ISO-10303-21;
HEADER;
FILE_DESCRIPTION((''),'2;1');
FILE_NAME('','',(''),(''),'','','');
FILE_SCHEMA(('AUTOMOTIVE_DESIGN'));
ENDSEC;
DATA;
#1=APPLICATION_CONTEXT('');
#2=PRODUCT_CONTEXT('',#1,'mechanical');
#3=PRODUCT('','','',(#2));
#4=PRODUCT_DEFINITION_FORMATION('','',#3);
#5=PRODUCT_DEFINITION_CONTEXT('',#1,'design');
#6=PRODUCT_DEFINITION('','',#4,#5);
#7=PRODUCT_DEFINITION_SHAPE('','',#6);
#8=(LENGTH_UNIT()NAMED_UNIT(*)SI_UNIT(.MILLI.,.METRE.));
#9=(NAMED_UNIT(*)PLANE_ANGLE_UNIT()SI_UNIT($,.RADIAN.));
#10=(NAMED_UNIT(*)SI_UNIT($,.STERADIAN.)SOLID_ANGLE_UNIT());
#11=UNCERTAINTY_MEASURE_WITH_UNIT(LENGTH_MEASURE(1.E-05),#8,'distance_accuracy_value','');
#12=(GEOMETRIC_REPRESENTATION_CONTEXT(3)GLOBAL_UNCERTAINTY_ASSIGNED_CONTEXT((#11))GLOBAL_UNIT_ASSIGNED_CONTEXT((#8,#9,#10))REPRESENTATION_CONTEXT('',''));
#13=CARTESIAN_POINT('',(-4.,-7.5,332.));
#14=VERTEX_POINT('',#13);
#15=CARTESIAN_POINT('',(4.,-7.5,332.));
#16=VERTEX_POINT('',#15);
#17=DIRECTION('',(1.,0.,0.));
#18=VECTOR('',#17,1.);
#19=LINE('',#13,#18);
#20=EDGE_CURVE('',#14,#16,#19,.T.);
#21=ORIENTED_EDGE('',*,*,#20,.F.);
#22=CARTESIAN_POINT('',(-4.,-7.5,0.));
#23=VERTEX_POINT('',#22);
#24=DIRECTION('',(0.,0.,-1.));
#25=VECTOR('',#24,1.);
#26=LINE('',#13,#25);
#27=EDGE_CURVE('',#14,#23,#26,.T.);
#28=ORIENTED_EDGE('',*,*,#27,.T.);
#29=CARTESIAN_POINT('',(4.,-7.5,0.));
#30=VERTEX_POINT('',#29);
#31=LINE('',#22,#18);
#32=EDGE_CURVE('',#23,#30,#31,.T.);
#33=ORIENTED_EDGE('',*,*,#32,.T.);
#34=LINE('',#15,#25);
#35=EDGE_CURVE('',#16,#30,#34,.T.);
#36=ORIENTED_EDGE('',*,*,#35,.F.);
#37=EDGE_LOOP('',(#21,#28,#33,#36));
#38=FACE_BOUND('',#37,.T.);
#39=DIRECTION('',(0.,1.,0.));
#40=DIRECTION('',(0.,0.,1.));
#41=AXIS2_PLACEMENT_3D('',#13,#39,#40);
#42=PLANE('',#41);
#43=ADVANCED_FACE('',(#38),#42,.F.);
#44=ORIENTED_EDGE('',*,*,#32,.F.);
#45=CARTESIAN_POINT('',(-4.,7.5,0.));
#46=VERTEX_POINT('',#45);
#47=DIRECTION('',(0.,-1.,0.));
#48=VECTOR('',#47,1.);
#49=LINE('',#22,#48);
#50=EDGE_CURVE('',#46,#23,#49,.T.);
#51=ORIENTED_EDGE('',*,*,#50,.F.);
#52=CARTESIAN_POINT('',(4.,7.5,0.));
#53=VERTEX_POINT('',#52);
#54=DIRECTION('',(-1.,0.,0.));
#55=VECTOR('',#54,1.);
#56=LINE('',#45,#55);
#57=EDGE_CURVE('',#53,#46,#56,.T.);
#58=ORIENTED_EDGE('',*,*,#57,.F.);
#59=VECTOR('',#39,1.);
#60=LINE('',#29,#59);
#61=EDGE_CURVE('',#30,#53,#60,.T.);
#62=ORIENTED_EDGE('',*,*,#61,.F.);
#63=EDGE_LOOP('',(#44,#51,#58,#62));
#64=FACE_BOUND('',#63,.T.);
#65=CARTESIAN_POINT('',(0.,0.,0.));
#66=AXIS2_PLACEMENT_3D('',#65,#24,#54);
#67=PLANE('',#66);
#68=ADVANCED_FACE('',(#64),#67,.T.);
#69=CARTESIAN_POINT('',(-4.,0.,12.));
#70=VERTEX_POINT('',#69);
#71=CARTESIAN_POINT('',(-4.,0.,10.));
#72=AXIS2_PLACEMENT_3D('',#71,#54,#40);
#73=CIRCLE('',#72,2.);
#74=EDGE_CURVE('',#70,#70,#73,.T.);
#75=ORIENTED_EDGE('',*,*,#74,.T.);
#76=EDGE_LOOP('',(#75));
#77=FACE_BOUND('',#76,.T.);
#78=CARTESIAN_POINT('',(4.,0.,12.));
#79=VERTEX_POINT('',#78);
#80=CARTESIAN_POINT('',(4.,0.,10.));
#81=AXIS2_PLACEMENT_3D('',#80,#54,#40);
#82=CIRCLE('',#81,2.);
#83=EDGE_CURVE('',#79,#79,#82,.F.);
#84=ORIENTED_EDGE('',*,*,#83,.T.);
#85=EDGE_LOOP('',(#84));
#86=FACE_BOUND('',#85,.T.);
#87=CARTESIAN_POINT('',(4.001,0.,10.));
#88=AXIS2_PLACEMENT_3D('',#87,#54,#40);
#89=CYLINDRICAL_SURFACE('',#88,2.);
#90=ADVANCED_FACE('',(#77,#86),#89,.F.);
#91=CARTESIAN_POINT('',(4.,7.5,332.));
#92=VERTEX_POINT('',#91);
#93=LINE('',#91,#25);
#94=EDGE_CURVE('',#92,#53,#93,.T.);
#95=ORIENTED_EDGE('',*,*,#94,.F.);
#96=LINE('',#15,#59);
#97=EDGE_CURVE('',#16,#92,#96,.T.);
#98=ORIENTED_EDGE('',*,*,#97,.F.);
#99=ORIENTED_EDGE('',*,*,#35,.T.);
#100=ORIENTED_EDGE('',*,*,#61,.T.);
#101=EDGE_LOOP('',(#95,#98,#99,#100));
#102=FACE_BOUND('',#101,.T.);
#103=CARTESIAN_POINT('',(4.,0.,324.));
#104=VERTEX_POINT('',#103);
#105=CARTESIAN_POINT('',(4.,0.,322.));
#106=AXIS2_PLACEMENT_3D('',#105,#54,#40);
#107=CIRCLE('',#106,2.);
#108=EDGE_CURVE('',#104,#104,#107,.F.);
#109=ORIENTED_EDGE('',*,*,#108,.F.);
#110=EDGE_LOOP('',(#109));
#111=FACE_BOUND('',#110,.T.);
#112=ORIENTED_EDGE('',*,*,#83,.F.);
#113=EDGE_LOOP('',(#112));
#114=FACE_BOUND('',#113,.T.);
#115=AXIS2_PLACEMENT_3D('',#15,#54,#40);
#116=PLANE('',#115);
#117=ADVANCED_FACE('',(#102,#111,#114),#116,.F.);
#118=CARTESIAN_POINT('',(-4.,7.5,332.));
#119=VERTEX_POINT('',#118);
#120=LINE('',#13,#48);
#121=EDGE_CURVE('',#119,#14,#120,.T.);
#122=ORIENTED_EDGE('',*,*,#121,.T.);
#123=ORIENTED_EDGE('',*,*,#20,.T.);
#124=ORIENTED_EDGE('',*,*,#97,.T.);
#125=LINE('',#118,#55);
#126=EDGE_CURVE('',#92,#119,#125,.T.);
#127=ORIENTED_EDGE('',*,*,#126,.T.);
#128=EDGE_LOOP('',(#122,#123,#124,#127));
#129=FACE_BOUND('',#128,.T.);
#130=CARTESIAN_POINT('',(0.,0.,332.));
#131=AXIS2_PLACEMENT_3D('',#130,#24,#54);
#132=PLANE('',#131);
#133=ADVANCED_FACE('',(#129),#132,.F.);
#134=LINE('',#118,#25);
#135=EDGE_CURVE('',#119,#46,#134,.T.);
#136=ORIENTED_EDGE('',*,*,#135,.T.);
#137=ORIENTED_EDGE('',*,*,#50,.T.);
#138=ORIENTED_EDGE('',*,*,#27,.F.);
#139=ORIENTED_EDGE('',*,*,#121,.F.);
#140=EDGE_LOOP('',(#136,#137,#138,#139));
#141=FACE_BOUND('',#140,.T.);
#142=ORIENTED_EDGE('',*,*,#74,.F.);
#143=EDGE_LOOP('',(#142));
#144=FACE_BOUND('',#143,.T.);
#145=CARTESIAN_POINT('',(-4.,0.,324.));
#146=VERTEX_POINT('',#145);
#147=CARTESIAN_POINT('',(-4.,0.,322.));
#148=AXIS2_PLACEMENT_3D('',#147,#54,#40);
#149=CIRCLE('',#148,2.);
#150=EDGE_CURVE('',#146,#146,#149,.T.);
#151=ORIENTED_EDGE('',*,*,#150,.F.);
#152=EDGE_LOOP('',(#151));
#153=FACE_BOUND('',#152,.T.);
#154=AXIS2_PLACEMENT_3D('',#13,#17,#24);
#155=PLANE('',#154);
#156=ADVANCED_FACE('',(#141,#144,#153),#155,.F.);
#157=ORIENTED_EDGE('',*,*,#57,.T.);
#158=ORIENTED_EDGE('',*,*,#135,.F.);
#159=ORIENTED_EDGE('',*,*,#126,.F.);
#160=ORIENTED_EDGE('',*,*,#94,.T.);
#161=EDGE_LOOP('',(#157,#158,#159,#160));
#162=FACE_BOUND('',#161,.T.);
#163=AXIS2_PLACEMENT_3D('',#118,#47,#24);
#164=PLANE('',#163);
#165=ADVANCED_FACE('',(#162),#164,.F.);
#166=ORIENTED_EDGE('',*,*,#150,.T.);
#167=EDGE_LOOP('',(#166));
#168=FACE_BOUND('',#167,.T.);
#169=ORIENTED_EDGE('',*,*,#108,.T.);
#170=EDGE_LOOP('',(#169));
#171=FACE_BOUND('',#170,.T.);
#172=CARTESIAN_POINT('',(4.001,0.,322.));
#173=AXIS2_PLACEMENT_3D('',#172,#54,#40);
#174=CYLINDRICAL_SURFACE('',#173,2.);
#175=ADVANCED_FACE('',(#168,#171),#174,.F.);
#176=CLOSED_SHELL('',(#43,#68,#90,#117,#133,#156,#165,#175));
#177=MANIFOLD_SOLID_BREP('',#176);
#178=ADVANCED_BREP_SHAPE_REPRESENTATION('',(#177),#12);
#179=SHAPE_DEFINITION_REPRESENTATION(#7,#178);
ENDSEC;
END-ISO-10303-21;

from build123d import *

# Parameters (mm, degrees)
SKETCH1_W           = 8
SKETCH1_H           = 15
BOSS_EXTRUDE1_DEPTH = 332
CUT_EXTRUDE1_REACH  = 334.181
SKETCH2_R           = 2


with BuildPart() as part:
    # Sketch1 → Boss-Extrude1 (new body)
    with BuildSketch(Plane.XY):
        Rectangle(SKETCH1_W, SKETCH1_H)
    extrude(amount=BOSS_EXTRUDE1_DEPTH)

    # Sketch2 → Cut-Extrude1 (cut, up to next)
    with BuildSketch(Plane.ZY.offset(4), mode=Mode.PRIVATE) as cut_extrude1_sk1:
        with Locations((10, 0)):
            Circle(SKETCH2_R)
    cut_extrude1_tool1 = extrude(cut_extrude1_sk1.sketch, amount=-CUT_EXTRUDE1_REACH, mode=Mode.PRIVATE) & part.part
    # Sketch2 → Cut-Extrude1 (cut, up to next)
    with BuildSketch(Plane.ZY.offset(4), mode=Mode.PRIVATE) as cut_extrude1_sk2:
        with Locations((322, 0)):
            Circle(SKETCH2_R)
    cut_extrude1_tool2 = extrude(cut_extrude1_sk2.sketch, amount=-CUT_EXTRUDE1_REACH, mode=Mode.PRIVATE) & part.part
    add(cut_extrude1_tool1.solids().sort_by_distance((-4, 0, 10))[0], mode=Mode.SUBTRACT)
    add(cut_extrude1_tool2.solids().sort_by_distance((-4, 0, 322))[0], mode=Mode.SUBTRACT)


solid = part.part
